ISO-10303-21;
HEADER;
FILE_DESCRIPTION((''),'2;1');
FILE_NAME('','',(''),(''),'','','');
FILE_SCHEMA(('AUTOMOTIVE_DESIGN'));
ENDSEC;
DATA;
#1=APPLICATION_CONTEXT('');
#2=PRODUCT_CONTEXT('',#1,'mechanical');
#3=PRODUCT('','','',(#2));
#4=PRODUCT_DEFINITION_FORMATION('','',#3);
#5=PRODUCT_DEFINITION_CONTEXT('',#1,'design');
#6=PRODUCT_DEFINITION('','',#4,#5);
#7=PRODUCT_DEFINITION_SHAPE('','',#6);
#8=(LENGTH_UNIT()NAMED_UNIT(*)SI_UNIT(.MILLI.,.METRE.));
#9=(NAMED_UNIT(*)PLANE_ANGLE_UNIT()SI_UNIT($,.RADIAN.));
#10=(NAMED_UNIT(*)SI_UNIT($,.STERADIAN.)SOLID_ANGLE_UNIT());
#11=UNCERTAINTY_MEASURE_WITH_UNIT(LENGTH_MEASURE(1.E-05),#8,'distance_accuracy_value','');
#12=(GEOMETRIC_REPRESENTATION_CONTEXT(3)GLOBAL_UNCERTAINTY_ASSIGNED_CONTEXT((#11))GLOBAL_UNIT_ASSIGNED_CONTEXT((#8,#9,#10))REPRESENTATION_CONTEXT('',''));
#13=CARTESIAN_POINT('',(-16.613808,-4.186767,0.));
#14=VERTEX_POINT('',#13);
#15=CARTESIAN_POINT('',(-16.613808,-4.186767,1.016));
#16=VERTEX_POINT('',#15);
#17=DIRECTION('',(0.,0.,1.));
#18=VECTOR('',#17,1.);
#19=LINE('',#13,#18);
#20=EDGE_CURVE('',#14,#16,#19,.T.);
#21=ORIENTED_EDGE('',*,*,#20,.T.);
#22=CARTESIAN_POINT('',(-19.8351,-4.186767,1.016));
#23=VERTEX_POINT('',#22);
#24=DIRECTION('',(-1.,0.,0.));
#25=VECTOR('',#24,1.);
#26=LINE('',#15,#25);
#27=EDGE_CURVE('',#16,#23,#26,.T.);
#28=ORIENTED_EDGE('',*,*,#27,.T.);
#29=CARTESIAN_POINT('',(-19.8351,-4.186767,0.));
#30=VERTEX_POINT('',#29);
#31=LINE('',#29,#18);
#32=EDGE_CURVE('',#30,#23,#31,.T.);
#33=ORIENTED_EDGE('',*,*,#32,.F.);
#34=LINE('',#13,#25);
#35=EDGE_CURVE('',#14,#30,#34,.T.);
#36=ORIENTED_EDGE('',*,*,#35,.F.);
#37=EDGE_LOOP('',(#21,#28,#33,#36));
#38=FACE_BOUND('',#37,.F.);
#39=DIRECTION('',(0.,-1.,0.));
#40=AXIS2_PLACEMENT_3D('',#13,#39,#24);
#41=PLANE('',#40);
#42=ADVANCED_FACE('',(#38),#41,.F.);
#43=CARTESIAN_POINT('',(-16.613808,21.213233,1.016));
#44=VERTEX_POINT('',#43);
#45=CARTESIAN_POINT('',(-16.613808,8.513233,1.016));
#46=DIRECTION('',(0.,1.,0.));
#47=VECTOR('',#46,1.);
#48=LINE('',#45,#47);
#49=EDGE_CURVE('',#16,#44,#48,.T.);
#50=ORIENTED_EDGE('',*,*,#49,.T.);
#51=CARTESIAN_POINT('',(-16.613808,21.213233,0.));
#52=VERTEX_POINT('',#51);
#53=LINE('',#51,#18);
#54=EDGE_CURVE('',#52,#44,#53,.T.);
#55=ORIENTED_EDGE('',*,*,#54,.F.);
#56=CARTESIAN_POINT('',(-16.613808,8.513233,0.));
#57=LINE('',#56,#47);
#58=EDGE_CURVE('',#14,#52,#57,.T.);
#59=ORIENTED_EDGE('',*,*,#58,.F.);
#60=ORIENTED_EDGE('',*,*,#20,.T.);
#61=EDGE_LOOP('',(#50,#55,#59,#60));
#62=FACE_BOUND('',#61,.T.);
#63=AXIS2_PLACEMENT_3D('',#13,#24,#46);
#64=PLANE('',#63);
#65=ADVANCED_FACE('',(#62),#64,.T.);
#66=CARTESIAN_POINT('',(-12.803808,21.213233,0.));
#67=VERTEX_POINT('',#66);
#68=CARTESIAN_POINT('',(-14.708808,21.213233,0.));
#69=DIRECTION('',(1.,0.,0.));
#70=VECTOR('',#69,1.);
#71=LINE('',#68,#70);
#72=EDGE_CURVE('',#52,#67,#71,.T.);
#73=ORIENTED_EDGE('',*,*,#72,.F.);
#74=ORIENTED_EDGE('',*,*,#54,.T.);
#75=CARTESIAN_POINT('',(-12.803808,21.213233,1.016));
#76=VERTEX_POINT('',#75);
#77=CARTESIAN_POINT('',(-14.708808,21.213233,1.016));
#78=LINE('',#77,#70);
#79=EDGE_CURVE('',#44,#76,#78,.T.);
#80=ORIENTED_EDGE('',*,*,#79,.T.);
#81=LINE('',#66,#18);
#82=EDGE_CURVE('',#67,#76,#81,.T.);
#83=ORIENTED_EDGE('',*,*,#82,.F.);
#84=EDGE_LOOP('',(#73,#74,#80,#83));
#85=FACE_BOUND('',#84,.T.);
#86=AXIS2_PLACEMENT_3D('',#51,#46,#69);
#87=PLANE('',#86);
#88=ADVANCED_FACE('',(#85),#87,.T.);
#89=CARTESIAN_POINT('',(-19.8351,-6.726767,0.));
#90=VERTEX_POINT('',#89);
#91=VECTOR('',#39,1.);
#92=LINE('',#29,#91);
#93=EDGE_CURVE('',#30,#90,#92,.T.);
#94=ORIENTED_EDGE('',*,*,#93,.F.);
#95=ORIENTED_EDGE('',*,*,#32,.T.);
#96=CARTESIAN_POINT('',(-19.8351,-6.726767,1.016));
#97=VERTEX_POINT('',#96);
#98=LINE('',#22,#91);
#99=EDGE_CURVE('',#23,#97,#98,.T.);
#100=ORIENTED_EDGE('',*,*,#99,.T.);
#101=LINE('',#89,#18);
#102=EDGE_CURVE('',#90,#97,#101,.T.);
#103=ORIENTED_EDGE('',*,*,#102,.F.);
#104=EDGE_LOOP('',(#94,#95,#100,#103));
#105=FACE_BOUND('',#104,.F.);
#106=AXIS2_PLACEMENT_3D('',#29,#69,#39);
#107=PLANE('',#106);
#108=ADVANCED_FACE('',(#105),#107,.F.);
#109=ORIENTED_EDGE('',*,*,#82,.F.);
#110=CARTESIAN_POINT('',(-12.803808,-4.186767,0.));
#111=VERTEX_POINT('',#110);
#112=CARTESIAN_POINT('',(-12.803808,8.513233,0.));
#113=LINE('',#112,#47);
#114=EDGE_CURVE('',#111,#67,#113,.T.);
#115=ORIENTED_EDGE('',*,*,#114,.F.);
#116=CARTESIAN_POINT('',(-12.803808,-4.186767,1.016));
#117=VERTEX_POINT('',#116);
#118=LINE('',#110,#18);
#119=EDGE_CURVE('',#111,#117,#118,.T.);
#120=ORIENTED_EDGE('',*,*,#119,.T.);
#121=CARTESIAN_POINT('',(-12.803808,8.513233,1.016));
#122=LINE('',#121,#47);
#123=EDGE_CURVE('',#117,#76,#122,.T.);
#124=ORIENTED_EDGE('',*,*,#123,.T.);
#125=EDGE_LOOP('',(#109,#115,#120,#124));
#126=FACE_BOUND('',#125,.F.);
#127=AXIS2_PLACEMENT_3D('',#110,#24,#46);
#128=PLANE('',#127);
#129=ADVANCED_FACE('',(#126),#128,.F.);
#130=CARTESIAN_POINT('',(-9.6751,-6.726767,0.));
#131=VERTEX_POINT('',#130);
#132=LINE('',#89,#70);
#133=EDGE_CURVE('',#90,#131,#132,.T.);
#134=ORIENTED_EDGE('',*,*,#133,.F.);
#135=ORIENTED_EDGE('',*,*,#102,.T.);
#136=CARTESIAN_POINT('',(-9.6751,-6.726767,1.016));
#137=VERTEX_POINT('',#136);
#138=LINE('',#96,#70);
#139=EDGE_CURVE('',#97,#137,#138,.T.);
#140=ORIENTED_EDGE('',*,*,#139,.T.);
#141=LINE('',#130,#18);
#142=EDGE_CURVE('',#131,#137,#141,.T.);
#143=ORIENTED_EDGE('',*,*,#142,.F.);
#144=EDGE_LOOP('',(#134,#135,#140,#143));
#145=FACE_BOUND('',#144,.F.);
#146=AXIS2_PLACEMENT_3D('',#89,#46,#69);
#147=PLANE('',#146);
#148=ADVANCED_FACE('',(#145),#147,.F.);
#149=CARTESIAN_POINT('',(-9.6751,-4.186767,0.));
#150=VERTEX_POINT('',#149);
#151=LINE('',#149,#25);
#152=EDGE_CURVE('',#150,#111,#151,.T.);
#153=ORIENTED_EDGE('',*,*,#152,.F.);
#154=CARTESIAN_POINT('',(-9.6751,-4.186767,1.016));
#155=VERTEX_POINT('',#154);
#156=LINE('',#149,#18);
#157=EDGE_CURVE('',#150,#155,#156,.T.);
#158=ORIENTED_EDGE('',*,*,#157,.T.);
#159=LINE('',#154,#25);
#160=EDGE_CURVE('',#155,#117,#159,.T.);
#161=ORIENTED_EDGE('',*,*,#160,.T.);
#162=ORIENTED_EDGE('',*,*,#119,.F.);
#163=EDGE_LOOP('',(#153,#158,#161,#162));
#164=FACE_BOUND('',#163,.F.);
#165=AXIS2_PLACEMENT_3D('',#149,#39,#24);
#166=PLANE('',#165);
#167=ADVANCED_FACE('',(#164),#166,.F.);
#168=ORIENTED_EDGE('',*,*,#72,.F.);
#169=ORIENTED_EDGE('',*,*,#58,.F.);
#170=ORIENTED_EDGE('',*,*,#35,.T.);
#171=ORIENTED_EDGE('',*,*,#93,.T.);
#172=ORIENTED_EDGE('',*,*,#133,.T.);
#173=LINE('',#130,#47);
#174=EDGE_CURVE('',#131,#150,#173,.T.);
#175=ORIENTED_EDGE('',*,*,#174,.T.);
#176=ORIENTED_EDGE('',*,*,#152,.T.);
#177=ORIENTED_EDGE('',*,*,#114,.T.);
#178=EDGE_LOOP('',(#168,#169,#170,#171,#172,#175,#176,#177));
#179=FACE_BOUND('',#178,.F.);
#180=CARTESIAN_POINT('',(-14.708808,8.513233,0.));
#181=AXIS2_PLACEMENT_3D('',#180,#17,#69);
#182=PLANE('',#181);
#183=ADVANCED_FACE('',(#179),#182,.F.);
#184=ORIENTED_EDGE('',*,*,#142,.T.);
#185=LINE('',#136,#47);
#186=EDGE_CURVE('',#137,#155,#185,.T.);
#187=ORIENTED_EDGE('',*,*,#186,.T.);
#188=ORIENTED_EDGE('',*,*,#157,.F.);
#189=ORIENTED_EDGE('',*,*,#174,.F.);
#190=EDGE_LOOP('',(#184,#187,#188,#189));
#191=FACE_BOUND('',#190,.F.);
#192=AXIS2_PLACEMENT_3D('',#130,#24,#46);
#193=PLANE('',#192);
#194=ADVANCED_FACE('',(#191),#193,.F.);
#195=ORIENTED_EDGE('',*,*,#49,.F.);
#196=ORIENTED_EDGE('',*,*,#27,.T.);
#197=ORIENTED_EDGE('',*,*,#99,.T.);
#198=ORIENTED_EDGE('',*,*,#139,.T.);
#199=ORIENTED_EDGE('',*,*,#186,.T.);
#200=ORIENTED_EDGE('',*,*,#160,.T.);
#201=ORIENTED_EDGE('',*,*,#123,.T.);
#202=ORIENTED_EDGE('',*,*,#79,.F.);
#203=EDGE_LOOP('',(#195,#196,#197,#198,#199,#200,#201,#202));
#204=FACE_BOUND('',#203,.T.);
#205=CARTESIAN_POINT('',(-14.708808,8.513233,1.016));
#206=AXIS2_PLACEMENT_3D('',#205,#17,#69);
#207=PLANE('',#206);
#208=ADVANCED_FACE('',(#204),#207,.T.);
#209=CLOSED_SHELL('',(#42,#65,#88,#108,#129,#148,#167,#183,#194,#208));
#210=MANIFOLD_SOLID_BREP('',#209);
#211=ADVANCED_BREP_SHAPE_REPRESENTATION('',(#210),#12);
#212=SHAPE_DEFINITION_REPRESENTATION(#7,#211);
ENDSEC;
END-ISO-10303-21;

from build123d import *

# Parameters (mm, degrees)
F0_W     = 3.81
F0_H     = 25.4
F1_DEPTH = 1.016


with BuildPart() as f1:
    # F0 (on Top) → F1 (new body)
    with BuildSketch(Plane.XY):
        with Locations((-14.708808, 8.513233)):
            Rectangle(F0_W, F0_H)
        Polygon((-12.803808, -4.186767), (-16.613808, -4.186767), (-19.8351, -4.186767), (-19.8351, -6.726767), (-9.6751, -6.726767), (-9.6751, -4.186767), align=None)
    extrude(amount=F1_DEPTH)


solid = f1.part
